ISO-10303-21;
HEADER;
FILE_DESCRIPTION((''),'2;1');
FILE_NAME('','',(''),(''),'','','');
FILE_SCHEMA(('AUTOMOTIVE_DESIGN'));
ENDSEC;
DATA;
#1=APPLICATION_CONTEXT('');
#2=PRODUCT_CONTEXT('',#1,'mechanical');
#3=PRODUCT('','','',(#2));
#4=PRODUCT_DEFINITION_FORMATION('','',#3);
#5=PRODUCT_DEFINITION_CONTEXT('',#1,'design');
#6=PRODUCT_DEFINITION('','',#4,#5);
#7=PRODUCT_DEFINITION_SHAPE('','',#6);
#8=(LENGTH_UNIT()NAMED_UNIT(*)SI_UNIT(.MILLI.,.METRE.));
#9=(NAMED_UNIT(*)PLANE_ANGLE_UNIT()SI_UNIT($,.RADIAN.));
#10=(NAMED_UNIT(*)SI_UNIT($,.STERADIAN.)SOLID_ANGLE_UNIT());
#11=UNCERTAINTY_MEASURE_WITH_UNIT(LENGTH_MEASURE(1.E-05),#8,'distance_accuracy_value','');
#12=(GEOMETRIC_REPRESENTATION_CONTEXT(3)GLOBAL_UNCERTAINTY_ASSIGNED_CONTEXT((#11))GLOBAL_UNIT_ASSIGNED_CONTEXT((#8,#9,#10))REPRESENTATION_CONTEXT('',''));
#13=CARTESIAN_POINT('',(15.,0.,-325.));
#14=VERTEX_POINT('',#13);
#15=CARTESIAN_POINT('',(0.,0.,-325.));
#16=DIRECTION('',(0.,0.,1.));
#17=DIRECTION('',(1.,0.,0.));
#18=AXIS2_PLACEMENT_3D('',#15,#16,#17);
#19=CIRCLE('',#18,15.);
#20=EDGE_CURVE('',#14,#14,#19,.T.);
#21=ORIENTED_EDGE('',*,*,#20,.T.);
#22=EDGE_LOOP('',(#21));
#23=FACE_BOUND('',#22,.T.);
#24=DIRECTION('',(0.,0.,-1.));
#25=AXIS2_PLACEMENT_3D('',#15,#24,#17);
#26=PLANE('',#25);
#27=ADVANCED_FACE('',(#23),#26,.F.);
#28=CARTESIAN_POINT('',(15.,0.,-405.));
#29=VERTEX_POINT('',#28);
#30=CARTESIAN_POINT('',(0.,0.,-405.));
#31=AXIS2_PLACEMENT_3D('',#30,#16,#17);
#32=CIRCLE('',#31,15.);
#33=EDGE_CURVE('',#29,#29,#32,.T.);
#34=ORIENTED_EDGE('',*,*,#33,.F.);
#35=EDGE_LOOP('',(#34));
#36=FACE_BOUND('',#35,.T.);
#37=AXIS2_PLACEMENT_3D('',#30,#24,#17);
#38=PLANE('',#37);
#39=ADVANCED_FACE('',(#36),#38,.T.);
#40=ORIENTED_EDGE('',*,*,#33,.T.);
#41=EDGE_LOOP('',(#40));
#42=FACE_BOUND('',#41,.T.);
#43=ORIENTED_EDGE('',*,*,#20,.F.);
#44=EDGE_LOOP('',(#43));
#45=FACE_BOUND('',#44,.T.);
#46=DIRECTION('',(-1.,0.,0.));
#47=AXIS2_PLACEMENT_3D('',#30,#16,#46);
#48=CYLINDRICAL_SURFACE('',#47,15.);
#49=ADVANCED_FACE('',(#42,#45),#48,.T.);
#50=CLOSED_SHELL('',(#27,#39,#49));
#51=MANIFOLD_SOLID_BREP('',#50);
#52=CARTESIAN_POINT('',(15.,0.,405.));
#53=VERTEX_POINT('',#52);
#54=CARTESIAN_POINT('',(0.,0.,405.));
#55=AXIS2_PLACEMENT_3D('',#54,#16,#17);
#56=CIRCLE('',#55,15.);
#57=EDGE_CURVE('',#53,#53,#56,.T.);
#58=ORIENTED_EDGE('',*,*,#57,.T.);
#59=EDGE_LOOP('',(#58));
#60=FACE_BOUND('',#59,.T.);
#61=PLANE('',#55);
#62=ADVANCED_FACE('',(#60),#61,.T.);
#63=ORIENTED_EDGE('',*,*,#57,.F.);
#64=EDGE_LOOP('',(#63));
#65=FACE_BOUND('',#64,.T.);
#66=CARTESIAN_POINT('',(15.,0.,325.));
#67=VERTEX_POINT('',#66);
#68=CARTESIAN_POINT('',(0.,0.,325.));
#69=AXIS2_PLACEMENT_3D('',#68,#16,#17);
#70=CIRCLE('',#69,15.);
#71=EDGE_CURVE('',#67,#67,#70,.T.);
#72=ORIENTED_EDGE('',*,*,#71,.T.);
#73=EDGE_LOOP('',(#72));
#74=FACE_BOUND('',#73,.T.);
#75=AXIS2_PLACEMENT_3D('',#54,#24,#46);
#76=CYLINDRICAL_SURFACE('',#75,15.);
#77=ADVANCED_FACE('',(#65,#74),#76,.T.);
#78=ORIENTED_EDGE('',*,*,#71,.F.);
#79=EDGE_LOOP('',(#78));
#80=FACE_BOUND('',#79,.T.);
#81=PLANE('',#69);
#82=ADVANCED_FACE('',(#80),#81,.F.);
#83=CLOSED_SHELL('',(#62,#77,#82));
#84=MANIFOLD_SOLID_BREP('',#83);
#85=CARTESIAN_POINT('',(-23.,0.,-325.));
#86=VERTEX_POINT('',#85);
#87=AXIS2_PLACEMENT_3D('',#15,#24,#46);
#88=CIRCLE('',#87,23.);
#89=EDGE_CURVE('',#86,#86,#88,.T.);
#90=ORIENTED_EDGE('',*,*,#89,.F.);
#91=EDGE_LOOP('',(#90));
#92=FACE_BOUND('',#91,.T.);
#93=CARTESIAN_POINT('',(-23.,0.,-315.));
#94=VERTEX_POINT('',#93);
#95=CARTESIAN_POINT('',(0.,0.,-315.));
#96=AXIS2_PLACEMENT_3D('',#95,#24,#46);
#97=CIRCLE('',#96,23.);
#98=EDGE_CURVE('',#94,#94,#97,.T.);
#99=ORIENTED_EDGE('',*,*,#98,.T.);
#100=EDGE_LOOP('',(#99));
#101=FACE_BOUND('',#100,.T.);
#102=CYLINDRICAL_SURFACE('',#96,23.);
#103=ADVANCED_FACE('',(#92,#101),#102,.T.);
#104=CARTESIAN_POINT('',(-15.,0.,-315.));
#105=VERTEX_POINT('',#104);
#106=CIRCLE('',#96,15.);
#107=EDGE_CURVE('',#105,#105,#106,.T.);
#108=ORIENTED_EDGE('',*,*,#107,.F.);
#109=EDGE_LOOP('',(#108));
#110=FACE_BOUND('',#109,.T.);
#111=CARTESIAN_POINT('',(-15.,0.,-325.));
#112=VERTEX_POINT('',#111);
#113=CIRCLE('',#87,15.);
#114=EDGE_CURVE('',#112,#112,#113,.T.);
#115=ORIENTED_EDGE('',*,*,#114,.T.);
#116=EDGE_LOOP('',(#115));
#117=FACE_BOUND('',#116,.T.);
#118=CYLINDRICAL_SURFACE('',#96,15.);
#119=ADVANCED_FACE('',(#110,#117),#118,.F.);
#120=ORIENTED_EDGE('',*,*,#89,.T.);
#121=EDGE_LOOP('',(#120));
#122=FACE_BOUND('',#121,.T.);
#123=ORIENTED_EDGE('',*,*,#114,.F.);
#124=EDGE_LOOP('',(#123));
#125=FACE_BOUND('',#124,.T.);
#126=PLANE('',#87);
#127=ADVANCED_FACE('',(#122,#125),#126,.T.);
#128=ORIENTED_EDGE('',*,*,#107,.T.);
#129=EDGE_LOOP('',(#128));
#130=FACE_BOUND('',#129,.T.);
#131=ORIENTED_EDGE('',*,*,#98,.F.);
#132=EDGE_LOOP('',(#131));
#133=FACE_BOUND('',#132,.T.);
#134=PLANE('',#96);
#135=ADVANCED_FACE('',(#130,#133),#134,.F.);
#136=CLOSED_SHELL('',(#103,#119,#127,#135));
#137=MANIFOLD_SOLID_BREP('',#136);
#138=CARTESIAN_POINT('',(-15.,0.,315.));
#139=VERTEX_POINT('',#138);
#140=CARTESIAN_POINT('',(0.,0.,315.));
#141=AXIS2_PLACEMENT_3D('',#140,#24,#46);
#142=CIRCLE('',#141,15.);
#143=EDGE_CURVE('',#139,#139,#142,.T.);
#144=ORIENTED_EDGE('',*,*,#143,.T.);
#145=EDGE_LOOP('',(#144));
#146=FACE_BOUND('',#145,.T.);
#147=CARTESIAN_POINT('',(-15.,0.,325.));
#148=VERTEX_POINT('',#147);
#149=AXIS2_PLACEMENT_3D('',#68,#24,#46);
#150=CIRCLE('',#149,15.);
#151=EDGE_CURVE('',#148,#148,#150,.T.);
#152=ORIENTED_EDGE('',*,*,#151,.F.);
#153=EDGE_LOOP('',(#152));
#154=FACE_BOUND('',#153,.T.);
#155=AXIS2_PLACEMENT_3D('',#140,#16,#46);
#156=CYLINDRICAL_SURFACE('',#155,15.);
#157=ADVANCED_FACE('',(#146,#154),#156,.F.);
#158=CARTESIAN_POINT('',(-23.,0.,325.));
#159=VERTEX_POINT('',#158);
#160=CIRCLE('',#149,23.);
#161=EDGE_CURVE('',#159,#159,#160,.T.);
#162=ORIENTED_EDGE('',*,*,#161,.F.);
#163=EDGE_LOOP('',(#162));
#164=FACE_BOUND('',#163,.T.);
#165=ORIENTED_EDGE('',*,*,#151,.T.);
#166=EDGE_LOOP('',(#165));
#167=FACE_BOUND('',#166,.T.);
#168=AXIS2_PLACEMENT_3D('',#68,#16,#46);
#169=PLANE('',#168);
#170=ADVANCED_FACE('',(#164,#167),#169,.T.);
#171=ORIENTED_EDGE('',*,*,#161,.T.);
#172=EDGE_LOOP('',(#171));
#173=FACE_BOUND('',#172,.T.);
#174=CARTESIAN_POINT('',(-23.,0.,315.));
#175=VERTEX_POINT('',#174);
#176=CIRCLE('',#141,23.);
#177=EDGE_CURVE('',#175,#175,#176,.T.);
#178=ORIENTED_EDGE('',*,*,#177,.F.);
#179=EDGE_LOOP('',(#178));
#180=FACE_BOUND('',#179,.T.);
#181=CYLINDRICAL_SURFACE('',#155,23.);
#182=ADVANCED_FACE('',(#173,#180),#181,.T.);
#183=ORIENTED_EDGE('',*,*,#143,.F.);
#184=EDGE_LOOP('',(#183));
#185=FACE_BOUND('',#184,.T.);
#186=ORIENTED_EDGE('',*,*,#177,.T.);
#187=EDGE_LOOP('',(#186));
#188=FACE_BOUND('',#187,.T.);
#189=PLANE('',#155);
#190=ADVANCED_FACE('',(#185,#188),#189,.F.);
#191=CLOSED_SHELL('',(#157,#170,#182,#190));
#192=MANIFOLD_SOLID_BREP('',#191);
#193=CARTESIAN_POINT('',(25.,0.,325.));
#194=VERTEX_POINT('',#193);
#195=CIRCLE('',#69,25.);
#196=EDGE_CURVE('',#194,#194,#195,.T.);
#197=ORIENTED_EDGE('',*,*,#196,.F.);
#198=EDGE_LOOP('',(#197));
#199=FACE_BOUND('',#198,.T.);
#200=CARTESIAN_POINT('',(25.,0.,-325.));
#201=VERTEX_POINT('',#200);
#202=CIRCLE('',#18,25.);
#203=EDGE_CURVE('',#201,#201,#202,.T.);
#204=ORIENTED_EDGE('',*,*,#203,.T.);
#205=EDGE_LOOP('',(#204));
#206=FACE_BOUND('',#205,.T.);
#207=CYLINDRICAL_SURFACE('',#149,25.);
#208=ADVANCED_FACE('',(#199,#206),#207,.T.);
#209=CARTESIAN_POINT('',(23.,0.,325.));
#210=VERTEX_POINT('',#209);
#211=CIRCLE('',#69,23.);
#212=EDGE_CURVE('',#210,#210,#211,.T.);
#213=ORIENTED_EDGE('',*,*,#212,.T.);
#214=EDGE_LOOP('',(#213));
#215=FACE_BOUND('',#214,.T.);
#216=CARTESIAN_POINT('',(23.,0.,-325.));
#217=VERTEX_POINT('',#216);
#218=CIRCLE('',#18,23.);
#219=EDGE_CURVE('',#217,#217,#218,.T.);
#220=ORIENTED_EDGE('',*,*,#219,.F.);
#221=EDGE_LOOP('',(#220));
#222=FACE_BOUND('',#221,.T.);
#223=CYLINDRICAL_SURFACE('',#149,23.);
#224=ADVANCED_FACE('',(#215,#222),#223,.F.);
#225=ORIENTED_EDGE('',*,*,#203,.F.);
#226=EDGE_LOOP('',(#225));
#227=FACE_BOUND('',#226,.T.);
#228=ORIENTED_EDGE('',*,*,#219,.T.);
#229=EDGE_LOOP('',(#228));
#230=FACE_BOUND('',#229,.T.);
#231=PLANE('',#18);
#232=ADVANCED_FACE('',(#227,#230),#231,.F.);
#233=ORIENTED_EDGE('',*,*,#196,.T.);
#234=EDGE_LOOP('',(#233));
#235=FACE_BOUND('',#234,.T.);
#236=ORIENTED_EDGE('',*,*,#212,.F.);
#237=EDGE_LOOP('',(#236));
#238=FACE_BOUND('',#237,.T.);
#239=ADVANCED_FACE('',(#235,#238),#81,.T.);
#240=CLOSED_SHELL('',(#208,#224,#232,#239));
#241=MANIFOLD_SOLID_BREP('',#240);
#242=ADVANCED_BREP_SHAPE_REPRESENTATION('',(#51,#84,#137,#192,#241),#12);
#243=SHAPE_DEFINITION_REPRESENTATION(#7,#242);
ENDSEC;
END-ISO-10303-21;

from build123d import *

# Parameters (mm, degrees)
SKETCH1_R           = 25
BOSS_EXTRUDE1_DEPTH = 325
SKETCH2_R           = 15
BOSS_EXTRUDE2_DEPTH = 80
SHELL1_T            = -2
SKETCH3_R           = 23
SKETCH3_R_2         = 15
BOSS_EXTRUDE3_DEPTH = 10


with BuildPart() as part:
    # Sketch1 → Boss-Extrude1 (new, symmetric)
    with BuildSketch(Plane.XY):
        Circle(SKETCH1_R)
    extrude(amount=BOSS_EXTRUDE1_DEPTH, both=True)

    # Shell1
    shell1_openings = [part.faces().sort_by_distance(p)[0] for p in [
        (0, 0, 325),
        (0, 0, -325),
    ]]
    offset(amount=SHELL1_T, openings=shell1_openings, kind=Kind.INTERSECTION)


with BuildPart() as body_2:
    # Sketch2 → Boss-Extrude2 (new body)
    with BuildSketch(Plane.XY.offset(325)):
        Circle(SKETCH2_R)
    extrude(amount=BOSS_EXTRUDE2_DEPTH)


with BuildPart() as body_3:
    # Mirror1: mirrored copy
    add(body_2.part.mirror(Plane.XY))


with BuildPart() as body_4:
    # Sketch3 → Boss-Extrude3 (new body)
    with BuildSketch(Plane(origin=(0, 0, -325), x_dir=(-1, 0, 0), z_dir=(0, 0, -1))):
        Circle(SKETCH3_R)
        Circle(SKETCH3_R_2, mode=Mode.SUBTRACT)
    extrude(amount=-BOSS_EXTRUDE3_DEPTH)


with BuildPart() as body_5:
    # Mirror2: mirrored copy
    add(body_4.part.mirror(Plane.XY))


solid = Compound([part.part, body_2.part, body_3.part, body_4.part, body_5.part])
